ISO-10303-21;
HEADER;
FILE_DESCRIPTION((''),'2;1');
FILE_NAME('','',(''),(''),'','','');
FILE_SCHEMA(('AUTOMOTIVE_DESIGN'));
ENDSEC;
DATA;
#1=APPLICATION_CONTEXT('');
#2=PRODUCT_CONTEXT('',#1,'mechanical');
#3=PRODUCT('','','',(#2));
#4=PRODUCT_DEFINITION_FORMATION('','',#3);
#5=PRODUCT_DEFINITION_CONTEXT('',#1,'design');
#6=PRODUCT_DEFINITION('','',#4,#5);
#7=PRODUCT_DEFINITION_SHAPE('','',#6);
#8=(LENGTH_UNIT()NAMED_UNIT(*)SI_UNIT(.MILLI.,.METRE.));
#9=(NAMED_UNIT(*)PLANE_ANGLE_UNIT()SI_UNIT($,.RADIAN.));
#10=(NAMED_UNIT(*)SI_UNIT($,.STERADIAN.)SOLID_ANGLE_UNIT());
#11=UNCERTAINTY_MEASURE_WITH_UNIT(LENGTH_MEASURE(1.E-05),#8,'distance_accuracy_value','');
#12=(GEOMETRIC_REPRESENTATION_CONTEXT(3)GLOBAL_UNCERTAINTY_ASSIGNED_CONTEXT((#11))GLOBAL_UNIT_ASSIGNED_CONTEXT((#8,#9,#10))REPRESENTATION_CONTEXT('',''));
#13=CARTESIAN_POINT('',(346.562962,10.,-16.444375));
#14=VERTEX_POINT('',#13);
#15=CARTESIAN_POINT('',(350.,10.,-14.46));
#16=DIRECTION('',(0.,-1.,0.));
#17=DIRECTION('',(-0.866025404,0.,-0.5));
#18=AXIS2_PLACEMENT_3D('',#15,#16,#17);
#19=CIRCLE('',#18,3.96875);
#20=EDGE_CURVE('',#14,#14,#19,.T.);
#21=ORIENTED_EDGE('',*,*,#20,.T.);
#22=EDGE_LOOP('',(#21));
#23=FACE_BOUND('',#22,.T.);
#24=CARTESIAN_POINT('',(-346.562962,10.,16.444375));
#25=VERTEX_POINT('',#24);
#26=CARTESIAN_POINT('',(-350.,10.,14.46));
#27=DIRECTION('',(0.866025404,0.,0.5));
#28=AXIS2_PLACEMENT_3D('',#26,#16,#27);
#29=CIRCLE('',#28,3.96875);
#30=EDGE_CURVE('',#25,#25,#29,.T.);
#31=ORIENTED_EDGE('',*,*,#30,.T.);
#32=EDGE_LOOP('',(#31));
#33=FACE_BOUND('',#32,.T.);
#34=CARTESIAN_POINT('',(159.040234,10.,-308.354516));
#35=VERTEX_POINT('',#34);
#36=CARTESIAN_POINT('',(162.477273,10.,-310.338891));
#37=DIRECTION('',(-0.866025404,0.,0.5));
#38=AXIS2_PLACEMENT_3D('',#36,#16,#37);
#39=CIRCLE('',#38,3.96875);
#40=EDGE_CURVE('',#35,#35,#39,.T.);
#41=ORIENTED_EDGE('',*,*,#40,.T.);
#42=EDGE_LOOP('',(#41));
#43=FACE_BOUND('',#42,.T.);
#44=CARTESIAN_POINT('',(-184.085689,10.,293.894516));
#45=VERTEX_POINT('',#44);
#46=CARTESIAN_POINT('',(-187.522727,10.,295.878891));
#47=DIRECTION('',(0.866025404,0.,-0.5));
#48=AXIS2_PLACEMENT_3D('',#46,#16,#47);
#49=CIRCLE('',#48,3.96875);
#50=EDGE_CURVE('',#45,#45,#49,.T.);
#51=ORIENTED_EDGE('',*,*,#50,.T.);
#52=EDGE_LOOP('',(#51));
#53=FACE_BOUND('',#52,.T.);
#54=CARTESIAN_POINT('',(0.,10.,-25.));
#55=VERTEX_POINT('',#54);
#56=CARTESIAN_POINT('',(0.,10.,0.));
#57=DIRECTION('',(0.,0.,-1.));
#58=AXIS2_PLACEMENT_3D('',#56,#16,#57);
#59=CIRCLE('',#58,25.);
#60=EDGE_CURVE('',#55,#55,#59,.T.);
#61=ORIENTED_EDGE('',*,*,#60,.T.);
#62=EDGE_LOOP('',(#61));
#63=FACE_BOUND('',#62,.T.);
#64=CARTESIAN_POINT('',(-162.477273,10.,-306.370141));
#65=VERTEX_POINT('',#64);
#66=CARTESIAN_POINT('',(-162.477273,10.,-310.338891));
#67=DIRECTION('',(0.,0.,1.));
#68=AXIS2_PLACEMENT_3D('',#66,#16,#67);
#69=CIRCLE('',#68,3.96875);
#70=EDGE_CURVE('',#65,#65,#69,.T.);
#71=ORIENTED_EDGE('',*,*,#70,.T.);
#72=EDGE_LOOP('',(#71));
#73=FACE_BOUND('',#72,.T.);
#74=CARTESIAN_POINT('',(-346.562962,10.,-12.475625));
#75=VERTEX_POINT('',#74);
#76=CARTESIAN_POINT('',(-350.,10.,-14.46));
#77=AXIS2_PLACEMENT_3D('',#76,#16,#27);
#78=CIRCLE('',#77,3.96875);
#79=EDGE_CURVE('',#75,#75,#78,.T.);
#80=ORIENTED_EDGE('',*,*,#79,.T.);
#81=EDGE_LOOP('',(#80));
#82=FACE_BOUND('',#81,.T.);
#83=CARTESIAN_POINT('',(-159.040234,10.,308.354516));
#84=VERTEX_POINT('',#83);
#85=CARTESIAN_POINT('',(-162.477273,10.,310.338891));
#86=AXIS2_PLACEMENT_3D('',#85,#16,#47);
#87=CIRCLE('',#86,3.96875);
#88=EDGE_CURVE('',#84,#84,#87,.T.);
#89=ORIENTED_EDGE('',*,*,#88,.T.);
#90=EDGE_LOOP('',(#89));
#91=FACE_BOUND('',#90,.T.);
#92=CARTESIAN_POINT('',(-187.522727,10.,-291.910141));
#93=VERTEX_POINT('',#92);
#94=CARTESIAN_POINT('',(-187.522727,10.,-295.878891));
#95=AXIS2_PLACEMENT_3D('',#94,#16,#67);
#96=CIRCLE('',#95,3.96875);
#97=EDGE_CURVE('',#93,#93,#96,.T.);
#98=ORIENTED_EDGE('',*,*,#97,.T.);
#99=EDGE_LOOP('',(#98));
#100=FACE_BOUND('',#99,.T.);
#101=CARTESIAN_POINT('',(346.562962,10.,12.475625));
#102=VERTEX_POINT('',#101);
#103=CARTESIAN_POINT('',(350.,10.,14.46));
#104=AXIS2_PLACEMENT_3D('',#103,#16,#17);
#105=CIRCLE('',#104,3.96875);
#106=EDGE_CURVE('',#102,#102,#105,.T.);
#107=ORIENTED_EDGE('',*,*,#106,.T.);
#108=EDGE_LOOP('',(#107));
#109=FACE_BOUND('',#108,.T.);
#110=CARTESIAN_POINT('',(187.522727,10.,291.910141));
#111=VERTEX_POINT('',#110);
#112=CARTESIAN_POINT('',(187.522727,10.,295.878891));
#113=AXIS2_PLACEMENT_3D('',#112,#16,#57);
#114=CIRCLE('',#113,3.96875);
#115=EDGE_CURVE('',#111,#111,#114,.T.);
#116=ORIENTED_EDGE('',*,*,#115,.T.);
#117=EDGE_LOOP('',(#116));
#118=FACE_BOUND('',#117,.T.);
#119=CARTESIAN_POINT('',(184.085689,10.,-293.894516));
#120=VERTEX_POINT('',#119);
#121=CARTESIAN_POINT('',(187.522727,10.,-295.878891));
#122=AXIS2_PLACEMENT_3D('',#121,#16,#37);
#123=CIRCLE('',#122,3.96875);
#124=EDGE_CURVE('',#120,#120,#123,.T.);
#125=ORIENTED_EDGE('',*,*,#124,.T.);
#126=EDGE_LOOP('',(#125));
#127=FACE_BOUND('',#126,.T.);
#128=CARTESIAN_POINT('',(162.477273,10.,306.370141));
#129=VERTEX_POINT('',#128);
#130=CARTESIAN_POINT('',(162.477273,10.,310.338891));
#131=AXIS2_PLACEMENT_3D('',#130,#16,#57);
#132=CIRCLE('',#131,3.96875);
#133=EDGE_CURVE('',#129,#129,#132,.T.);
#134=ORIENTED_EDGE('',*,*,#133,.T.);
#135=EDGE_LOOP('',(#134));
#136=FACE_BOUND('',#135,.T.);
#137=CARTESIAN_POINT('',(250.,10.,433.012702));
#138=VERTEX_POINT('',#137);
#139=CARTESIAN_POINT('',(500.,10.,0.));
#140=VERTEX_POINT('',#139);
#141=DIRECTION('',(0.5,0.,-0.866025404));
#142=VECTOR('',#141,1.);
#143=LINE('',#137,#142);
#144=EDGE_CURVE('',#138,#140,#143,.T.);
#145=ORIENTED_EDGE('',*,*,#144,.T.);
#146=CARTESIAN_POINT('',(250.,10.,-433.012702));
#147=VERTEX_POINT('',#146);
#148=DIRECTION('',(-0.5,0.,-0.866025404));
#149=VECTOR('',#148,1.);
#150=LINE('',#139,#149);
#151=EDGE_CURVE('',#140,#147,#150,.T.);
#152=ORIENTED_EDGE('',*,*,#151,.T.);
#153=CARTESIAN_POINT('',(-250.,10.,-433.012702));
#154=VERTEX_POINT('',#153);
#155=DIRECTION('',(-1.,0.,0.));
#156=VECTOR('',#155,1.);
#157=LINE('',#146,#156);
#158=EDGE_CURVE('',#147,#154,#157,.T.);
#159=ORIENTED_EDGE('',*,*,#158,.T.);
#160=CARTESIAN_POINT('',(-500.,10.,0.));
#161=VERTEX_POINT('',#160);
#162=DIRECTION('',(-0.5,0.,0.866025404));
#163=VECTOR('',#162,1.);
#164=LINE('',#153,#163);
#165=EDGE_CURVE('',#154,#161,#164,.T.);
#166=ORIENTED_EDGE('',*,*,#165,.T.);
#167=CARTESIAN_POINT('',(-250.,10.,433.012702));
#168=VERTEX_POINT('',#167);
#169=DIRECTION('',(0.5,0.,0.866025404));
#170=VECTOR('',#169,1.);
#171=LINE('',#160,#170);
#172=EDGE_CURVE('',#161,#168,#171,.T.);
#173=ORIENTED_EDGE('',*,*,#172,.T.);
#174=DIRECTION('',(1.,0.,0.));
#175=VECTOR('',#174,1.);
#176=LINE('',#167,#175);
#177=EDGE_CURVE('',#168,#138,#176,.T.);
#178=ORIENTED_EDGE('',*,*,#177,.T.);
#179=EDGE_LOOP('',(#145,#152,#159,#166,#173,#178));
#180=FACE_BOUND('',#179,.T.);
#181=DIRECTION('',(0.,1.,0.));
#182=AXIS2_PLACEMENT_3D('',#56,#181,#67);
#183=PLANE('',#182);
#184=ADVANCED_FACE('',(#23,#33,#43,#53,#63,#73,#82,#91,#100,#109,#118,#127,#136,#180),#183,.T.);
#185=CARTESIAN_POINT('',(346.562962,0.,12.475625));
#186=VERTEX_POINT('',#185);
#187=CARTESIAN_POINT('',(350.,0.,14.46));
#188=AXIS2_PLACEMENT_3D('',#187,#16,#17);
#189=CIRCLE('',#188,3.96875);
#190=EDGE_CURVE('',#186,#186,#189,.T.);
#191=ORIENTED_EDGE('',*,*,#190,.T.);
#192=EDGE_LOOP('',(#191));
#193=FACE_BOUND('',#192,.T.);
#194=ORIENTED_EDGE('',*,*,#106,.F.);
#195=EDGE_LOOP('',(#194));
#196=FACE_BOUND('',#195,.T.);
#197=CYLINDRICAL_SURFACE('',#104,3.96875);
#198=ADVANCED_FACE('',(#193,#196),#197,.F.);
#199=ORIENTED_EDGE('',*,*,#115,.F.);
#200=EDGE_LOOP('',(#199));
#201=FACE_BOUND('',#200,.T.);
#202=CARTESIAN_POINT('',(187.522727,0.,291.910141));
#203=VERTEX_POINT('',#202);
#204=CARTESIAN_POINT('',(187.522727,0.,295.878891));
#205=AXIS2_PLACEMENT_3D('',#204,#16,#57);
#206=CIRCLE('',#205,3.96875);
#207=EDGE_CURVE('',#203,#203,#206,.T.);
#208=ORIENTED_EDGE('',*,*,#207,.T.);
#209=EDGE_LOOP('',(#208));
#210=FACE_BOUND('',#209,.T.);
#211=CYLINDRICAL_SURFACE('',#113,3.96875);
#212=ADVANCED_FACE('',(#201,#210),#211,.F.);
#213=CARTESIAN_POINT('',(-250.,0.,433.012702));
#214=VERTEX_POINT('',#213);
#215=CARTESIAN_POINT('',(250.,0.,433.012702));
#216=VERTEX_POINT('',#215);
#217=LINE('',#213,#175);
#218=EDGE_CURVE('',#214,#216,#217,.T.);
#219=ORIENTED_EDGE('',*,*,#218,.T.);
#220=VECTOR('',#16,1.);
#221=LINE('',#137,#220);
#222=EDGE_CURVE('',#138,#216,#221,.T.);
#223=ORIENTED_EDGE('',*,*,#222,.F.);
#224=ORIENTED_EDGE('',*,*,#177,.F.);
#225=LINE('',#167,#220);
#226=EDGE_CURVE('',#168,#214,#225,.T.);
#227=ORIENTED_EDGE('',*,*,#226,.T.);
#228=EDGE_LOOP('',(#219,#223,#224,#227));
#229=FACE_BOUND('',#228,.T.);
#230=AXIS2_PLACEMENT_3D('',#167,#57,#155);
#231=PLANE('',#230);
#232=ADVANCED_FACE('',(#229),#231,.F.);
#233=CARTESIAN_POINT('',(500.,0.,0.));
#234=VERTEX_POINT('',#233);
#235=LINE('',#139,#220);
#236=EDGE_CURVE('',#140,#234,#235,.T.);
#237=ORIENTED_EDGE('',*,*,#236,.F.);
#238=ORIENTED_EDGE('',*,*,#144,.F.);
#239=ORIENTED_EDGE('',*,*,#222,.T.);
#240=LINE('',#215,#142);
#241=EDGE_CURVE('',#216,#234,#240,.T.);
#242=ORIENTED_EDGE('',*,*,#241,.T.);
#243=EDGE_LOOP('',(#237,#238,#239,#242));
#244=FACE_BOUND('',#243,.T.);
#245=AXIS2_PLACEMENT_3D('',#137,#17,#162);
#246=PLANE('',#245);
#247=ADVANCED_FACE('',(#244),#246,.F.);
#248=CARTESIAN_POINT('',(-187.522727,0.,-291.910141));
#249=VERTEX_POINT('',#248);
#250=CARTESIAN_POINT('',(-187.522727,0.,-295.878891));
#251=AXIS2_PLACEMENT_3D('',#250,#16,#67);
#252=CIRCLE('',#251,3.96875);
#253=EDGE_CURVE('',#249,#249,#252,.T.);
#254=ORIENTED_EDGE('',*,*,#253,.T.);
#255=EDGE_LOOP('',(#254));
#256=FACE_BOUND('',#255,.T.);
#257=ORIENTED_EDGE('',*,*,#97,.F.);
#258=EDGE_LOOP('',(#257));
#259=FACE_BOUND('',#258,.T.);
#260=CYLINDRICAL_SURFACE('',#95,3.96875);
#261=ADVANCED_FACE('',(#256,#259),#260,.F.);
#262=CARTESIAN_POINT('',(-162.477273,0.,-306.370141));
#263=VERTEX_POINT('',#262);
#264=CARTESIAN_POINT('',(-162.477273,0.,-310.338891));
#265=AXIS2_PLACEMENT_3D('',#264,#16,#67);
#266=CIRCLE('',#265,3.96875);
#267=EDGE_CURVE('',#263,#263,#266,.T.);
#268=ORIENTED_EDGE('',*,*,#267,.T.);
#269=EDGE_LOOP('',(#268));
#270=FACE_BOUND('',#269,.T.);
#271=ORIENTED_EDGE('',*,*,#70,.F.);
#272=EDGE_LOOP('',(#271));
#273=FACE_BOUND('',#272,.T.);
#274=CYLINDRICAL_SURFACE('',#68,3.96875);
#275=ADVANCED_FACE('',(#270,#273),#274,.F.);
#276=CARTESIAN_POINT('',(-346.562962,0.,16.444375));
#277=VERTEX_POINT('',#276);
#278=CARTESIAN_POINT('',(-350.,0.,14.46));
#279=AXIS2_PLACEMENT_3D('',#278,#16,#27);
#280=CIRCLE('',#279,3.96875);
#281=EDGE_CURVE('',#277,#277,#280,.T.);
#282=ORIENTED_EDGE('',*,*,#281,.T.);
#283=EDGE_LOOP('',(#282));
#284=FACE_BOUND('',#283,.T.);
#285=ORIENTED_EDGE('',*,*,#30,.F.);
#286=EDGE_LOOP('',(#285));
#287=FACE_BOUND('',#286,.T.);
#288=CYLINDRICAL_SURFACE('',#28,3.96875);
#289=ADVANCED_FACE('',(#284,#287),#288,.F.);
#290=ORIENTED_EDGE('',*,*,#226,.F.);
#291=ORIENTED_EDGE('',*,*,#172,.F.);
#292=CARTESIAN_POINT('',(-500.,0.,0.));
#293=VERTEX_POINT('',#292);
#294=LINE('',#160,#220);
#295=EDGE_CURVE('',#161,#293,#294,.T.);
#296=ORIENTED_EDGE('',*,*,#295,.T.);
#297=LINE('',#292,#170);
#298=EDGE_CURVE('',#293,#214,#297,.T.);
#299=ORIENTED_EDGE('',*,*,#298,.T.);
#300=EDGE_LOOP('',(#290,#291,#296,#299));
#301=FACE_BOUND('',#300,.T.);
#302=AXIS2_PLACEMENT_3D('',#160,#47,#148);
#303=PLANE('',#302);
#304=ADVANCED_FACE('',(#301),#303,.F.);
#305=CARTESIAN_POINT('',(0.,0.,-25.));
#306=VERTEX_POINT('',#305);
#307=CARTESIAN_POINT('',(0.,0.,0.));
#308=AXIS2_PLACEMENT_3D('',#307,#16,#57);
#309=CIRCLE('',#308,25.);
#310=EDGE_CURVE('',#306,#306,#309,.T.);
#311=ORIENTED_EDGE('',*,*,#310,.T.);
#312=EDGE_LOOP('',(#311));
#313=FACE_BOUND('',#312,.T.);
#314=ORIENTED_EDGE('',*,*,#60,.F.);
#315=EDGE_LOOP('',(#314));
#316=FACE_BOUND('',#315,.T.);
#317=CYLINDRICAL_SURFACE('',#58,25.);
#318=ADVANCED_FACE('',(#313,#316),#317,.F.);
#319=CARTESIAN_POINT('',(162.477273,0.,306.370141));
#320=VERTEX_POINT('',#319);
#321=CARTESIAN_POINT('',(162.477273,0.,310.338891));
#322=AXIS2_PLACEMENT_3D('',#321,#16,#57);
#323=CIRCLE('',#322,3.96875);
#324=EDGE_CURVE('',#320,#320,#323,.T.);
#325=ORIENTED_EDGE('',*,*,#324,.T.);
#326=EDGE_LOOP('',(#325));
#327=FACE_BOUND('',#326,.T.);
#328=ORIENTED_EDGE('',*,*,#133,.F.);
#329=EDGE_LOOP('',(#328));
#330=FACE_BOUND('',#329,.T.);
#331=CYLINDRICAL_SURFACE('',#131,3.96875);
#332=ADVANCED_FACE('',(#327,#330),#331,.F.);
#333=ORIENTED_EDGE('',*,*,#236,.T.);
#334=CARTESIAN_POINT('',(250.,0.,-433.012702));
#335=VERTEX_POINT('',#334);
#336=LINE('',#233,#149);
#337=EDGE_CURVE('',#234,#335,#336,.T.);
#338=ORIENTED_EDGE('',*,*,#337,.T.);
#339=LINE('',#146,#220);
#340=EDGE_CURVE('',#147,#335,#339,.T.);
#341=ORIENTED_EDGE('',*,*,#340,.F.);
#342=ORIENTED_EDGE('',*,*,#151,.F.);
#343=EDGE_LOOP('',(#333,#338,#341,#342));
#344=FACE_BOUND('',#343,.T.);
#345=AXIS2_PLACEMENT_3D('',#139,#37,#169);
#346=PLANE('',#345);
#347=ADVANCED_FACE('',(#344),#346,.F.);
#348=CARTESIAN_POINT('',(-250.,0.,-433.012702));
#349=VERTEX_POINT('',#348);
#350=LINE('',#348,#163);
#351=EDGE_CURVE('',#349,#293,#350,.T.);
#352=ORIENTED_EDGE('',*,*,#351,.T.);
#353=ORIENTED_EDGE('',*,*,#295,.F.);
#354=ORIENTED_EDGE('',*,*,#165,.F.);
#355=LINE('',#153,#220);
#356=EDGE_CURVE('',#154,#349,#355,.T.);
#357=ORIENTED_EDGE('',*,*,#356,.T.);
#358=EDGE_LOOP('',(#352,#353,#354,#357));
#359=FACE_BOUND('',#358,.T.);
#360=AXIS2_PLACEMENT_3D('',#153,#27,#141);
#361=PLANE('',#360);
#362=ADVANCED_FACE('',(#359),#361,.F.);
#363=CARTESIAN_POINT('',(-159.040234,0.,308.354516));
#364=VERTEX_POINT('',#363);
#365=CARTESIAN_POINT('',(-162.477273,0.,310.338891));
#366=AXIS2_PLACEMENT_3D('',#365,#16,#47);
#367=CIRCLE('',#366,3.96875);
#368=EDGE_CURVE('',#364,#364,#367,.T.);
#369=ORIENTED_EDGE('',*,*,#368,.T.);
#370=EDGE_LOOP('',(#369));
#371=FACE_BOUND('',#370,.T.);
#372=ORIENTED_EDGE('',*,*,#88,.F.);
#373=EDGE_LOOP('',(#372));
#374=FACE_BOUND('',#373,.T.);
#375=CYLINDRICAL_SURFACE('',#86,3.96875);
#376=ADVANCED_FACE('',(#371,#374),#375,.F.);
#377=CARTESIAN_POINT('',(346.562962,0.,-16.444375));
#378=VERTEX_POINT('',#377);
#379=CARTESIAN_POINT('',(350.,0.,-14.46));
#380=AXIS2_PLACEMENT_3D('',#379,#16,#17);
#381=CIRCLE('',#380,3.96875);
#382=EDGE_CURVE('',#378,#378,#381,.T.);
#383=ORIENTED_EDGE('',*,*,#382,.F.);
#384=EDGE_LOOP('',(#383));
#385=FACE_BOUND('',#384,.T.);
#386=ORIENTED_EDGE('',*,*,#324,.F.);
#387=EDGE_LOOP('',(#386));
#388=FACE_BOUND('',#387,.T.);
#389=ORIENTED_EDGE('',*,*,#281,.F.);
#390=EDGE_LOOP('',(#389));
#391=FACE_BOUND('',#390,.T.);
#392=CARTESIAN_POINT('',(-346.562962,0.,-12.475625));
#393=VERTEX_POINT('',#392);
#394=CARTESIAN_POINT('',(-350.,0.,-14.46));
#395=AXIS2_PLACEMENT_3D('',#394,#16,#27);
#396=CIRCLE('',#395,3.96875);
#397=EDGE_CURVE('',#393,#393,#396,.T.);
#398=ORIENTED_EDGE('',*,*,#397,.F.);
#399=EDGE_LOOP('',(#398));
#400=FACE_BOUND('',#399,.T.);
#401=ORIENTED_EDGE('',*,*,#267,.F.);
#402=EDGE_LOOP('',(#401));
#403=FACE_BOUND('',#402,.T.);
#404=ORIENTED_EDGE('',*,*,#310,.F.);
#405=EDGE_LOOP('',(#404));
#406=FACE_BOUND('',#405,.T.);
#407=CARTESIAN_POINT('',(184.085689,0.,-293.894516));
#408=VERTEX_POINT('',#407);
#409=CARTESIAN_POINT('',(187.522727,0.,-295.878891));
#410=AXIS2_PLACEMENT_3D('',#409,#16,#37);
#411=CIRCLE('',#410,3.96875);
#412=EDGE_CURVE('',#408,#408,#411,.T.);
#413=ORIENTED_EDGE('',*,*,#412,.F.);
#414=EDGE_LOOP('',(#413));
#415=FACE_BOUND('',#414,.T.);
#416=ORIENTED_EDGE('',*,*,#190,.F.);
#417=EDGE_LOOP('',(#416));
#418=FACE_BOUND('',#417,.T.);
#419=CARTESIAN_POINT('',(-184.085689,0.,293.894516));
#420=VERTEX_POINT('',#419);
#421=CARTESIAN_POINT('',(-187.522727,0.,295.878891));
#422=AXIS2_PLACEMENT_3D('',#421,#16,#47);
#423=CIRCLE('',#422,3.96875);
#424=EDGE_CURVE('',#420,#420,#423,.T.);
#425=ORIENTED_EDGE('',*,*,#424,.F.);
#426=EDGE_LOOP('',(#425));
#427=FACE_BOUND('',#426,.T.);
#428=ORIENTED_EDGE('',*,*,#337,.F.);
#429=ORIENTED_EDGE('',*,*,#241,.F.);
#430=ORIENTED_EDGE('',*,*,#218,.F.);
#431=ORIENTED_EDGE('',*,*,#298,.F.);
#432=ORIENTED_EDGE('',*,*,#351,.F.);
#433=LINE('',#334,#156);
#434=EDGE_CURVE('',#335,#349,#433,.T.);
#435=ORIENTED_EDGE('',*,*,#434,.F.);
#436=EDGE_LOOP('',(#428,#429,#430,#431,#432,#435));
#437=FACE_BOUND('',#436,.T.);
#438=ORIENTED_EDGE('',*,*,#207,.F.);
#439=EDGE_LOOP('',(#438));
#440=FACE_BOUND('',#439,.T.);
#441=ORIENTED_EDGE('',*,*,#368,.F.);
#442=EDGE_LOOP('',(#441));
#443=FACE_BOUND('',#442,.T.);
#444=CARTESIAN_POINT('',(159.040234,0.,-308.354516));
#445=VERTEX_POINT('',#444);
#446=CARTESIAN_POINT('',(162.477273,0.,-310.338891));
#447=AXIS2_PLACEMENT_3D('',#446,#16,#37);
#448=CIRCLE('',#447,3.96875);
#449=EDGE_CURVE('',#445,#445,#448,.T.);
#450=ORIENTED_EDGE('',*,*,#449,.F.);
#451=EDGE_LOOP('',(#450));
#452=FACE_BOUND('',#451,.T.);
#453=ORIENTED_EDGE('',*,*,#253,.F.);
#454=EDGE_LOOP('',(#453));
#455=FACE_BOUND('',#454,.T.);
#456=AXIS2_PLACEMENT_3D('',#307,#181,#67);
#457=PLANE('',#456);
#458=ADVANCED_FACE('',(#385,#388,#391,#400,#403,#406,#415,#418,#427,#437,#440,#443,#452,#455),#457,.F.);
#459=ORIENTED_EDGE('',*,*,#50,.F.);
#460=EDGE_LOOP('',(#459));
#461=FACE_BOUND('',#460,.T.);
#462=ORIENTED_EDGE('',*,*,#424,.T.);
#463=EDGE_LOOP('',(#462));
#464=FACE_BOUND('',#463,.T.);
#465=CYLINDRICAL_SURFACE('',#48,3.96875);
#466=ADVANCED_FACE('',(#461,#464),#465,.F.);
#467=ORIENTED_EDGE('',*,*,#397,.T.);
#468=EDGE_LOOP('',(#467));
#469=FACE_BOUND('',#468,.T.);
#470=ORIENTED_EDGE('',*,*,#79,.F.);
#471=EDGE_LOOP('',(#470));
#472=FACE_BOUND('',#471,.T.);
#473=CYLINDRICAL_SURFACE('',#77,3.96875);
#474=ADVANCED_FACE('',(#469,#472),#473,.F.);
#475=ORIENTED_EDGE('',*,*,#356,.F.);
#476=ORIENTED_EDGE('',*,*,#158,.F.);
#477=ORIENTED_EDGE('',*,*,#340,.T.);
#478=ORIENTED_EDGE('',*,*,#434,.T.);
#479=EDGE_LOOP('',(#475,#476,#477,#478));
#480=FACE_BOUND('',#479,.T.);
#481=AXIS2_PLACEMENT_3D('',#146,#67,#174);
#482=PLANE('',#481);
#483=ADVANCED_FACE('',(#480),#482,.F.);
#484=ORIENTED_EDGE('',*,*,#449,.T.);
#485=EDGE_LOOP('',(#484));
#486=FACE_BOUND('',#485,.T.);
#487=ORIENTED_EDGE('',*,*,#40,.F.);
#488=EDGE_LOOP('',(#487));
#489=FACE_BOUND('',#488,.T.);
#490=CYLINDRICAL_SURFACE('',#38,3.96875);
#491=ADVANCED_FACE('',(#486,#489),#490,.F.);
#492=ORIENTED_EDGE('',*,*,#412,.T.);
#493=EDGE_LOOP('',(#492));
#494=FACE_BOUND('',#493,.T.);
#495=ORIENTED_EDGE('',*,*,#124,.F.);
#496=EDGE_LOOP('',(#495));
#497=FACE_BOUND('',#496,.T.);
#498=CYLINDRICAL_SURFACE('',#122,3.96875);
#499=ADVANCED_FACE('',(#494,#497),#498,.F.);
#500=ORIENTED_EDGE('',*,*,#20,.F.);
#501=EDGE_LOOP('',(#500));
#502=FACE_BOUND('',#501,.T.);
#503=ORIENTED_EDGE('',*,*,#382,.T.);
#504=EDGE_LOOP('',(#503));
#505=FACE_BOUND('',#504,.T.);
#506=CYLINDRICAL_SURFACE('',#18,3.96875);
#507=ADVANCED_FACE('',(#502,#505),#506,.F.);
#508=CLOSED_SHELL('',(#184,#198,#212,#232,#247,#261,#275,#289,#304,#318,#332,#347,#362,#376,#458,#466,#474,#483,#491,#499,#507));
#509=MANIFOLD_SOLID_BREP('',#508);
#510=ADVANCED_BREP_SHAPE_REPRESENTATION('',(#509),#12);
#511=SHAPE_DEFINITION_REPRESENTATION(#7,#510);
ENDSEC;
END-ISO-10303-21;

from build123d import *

# Parameters (mm, degrees)
BOSS_EXTRUDE1_DEPTH = 10
SKETCH3_R           = 3.96875
CUT_EXTRUDE1_DEPTH  = 662.513416342
SKETCH4_R           = 25
CUT_EXTRUDE2_DEPTH  = 662.513416342
CIRPATTERN2_COUNT   = 6


with BuildPart() as part:
    # Sketch1 → Boss-Extrude1 (new body)
    with BuildSketch(Plane(origin=(0, 0, 0), x_dir=(1, 0, 0), z_dir=(0, 1, 0))):
        Polygon((500, 0), (250, 433.012701892), (-250, 433.012701892), (-500, 0), (-250, -433.012701892), (250, -433.012701892), align=None)
    extrude(amount=BOSS_EXTRUDE1_DEPTH)

    # Sketch3 → Cut-Extrude1 (cut, through all)
    with BuildSketch(Plane.XZ):
        with Locations(Location((187.522727339, 295.878891325, 0), (0, 0, 270))):
            Circle(SKETCH3_R)
        with Locations(Location((162.477272661, 310.338891325, 0), (0, 0, 270))):
            Circle(SKETCH3_R)
    cut_extrude1 = extrude(amount=-CUT_EXTRUDE1_DEPTH, mode=Mode.SUBTRACT)

    # Sketch4 → Cut-Extrude2 (cut, through all)
    with BuildSketch(Plane.XZ):
        with Locations(Location((0, 0, 0), (0, 0, 270))):
            Circle(SKETCH4_R)
    extrude(amount=-CUT_EXTRUDE2_DEPTH, mode=Mode.SUBTRACT)

    # CirPattern2: Cut-Extrude1 ×6 about axis
    cirpattern2_axis = Axis((0, 0, 0), (0, 1, 0))
    for i in range(1, CIRPATTERN2_COUNT):
        add(cut_extrude1.rotate(cirpattern2_axis, i * 360 / CIRPATTERN2_COUNT), mode=Mode.SUBTRACT)


solid = part.part
